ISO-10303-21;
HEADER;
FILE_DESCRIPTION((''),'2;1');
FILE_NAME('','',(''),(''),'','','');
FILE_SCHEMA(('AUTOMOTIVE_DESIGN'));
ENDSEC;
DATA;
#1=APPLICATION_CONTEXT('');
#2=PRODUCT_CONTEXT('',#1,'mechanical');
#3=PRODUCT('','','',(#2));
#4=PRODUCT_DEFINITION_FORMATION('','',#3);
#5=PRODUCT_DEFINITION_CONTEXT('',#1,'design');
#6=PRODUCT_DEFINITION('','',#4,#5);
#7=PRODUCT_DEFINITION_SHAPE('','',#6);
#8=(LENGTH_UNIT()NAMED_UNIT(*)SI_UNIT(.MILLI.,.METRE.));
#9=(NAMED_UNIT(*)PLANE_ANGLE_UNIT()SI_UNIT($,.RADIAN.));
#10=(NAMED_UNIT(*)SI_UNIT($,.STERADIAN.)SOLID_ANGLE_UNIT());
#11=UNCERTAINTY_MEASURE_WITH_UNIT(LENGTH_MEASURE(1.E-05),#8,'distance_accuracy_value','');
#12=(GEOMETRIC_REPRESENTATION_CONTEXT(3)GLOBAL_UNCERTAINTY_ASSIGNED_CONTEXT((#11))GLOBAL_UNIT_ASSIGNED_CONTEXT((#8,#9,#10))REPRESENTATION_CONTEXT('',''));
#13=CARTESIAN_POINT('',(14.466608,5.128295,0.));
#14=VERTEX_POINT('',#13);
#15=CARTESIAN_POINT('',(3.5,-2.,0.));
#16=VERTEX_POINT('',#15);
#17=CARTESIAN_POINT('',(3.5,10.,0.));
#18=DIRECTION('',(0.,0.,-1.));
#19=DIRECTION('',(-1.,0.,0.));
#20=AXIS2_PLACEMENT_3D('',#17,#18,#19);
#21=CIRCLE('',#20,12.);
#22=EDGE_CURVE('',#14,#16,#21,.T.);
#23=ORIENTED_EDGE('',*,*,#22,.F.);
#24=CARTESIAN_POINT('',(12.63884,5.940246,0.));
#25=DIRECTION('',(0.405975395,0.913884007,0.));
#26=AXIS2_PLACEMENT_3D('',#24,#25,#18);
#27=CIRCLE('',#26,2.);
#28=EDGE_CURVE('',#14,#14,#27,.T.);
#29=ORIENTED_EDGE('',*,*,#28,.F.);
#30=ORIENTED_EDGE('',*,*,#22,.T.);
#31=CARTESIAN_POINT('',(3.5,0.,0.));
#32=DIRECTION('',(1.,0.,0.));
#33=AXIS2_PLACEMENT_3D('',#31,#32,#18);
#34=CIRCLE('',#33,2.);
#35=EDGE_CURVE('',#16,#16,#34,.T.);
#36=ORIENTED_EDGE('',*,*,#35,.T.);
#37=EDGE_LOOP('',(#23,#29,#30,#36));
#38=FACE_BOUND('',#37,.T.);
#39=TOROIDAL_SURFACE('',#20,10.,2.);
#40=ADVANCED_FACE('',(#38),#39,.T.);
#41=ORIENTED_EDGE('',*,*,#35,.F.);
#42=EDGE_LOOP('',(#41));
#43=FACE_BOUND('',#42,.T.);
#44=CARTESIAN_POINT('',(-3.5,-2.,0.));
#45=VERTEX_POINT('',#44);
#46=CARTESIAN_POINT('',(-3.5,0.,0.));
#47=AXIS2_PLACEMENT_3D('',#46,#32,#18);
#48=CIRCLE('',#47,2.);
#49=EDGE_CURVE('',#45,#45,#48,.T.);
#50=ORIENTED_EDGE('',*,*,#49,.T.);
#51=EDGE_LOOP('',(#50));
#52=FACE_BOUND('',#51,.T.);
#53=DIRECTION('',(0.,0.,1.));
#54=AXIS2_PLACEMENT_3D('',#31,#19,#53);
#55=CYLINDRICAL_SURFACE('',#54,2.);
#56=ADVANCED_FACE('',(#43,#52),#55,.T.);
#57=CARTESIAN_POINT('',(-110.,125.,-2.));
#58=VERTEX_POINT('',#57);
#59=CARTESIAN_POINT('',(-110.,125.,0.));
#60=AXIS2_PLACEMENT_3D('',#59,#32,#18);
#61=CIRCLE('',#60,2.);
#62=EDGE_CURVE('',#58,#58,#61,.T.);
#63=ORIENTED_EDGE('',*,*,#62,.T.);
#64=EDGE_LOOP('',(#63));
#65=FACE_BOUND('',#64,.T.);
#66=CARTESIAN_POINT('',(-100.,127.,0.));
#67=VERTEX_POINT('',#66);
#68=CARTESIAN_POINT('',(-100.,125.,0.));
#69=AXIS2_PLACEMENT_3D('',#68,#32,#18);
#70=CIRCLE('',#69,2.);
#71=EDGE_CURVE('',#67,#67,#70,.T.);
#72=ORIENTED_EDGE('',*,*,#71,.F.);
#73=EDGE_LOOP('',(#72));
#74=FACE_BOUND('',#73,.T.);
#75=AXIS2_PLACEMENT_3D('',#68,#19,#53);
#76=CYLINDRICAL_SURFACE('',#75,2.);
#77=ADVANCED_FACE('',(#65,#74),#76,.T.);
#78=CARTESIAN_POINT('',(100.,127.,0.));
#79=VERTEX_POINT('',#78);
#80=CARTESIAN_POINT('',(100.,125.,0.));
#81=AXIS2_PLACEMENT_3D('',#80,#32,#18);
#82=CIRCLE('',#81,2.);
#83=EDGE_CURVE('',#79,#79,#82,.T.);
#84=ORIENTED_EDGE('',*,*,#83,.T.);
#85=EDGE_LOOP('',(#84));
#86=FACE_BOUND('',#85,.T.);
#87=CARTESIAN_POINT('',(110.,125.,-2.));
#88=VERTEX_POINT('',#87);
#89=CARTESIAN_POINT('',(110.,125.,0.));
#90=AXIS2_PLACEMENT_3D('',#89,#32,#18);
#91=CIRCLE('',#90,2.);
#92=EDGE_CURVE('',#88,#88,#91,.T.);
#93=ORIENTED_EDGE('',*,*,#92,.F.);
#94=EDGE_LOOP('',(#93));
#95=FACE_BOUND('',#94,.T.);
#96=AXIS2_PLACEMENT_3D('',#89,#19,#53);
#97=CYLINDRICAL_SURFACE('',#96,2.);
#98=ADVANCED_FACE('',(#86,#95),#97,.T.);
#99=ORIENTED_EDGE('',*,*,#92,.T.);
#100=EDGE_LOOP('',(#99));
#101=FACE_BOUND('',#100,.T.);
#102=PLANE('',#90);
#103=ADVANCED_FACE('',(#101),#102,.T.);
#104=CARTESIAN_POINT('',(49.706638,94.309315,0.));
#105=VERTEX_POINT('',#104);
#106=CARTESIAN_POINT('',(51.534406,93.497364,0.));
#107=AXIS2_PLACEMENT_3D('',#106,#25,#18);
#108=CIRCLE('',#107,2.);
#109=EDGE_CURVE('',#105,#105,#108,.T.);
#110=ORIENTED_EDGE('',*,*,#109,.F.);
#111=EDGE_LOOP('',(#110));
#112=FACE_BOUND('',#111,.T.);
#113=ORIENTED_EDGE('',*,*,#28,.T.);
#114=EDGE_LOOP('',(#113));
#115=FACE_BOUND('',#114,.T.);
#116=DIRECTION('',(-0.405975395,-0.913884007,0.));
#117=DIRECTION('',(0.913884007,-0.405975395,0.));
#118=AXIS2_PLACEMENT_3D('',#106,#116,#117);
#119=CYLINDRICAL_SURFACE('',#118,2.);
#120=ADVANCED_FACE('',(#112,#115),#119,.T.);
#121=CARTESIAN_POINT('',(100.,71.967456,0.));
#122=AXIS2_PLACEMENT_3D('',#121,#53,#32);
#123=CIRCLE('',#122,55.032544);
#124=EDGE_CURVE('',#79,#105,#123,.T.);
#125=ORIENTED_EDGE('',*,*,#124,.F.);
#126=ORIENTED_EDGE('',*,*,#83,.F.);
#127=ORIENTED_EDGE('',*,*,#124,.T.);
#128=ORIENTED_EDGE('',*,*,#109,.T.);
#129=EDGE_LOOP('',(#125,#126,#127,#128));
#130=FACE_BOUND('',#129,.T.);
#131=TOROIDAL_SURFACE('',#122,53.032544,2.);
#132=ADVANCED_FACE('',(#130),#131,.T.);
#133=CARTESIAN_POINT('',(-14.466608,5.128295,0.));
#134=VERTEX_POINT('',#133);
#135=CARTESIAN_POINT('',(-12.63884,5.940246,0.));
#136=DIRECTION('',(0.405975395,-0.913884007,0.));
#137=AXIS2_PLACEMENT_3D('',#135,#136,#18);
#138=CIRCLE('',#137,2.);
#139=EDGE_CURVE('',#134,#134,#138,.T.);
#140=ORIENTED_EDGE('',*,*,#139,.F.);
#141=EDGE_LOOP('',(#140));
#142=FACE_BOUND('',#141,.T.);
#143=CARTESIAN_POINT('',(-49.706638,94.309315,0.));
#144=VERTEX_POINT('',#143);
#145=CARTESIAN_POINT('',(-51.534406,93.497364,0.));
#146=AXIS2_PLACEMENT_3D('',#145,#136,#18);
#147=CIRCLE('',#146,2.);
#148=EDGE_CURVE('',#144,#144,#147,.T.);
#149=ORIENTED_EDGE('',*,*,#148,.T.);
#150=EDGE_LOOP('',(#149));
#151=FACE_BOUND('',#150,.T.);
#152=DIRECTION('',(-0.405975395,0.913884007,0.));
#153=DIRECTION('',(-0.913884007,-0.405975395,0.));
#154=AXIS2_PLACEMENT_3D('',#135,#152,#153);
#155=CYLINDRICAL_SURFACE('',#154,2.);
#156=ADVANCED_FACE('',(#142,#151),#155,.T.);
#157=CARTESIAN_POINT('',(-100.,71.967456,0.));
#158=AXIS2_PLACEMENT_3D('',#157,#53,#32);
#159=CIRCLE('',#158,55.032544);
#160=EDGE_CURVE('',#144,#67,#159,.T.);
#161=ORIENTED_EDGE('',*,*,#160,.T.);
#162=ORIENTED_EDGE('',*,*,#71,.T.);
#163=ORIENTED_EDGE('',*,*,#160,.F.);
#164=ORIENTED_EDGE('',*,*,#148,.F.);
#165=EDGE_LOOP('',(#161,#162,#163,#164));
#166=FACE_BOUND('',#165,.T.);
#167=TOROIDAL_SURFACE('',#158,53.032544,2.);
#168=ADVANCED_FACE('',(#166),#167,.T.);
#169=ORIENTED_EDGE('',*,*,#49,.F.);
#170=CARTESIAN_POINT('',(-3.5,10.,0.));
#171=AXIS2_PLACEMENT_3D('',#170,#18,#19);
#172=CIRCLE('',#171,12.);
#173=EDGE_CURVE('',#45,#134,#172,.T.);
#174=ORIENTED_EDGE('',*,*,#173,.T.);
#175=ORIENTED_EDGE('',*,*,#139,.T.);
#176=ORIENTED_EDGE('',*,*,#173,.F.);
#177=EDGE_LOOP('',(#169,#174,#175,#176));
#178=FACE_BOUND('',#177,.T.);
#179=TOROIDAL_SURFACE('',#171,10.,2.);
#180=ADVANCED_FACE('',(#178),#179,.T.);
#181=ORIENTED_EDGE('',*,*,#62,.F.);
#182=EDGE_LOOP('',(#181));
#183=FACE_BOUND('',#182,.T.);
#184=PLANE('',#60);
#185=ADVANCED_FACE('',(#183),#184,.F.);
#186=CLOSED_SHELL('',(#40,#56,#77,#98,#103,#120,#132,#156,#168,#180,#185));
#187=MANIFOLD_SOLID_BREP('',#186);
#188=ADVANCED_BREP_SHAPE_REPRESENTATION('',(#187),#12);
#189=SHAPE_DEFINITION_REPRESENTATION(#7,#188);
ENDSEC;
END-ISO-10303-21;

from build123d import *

# Parameters (mm, degrees)
SKETCH2_R = 2


with BuildPart() as part:
    # Sweep1: sweep along a path in Sketch1
    with BuildLine(Plane.XY) as sweep1_path:
        Line((110, 125), (100, 125))
        ThreePointArc((100, 125), (71.097881111, 116.432253912), (51.53440584, 93.497363796))
        Line((51.53440584, 93.497363796), (12.63884007, 5.940246046))
        ThreePointArc((12.63884007, 5.940246046), (8.949883506, 1.615563837), (3.5, 0))
        Line((3.5, 0), (-3.5, 0))
        ThreePointArc((-3.5, 0), (-8.949883506, 1.615563837), (-12.63884007, 5.940246046))
        Line((-12.63884007, 5.940246046), (-51.53440584, 93.497363796))
        ThreePointArc((-51.53440584, 93.497363796), (-71.097881111, 116.432253912), (-100, 125))
        Line((-100, 125), (-110, 125))
    # Sketch2 → Sweep1 (sweep)
    with BuildSketch(Plane(origin=(-110, 0, 0), x_dir=(0, 0, -1), z_dir=(1, 0, 0))):
        with Locations((0, 125)):
            Circle(SKETCH2_R)
    sweep(path=sweep1_path.line)


solid = part.part
